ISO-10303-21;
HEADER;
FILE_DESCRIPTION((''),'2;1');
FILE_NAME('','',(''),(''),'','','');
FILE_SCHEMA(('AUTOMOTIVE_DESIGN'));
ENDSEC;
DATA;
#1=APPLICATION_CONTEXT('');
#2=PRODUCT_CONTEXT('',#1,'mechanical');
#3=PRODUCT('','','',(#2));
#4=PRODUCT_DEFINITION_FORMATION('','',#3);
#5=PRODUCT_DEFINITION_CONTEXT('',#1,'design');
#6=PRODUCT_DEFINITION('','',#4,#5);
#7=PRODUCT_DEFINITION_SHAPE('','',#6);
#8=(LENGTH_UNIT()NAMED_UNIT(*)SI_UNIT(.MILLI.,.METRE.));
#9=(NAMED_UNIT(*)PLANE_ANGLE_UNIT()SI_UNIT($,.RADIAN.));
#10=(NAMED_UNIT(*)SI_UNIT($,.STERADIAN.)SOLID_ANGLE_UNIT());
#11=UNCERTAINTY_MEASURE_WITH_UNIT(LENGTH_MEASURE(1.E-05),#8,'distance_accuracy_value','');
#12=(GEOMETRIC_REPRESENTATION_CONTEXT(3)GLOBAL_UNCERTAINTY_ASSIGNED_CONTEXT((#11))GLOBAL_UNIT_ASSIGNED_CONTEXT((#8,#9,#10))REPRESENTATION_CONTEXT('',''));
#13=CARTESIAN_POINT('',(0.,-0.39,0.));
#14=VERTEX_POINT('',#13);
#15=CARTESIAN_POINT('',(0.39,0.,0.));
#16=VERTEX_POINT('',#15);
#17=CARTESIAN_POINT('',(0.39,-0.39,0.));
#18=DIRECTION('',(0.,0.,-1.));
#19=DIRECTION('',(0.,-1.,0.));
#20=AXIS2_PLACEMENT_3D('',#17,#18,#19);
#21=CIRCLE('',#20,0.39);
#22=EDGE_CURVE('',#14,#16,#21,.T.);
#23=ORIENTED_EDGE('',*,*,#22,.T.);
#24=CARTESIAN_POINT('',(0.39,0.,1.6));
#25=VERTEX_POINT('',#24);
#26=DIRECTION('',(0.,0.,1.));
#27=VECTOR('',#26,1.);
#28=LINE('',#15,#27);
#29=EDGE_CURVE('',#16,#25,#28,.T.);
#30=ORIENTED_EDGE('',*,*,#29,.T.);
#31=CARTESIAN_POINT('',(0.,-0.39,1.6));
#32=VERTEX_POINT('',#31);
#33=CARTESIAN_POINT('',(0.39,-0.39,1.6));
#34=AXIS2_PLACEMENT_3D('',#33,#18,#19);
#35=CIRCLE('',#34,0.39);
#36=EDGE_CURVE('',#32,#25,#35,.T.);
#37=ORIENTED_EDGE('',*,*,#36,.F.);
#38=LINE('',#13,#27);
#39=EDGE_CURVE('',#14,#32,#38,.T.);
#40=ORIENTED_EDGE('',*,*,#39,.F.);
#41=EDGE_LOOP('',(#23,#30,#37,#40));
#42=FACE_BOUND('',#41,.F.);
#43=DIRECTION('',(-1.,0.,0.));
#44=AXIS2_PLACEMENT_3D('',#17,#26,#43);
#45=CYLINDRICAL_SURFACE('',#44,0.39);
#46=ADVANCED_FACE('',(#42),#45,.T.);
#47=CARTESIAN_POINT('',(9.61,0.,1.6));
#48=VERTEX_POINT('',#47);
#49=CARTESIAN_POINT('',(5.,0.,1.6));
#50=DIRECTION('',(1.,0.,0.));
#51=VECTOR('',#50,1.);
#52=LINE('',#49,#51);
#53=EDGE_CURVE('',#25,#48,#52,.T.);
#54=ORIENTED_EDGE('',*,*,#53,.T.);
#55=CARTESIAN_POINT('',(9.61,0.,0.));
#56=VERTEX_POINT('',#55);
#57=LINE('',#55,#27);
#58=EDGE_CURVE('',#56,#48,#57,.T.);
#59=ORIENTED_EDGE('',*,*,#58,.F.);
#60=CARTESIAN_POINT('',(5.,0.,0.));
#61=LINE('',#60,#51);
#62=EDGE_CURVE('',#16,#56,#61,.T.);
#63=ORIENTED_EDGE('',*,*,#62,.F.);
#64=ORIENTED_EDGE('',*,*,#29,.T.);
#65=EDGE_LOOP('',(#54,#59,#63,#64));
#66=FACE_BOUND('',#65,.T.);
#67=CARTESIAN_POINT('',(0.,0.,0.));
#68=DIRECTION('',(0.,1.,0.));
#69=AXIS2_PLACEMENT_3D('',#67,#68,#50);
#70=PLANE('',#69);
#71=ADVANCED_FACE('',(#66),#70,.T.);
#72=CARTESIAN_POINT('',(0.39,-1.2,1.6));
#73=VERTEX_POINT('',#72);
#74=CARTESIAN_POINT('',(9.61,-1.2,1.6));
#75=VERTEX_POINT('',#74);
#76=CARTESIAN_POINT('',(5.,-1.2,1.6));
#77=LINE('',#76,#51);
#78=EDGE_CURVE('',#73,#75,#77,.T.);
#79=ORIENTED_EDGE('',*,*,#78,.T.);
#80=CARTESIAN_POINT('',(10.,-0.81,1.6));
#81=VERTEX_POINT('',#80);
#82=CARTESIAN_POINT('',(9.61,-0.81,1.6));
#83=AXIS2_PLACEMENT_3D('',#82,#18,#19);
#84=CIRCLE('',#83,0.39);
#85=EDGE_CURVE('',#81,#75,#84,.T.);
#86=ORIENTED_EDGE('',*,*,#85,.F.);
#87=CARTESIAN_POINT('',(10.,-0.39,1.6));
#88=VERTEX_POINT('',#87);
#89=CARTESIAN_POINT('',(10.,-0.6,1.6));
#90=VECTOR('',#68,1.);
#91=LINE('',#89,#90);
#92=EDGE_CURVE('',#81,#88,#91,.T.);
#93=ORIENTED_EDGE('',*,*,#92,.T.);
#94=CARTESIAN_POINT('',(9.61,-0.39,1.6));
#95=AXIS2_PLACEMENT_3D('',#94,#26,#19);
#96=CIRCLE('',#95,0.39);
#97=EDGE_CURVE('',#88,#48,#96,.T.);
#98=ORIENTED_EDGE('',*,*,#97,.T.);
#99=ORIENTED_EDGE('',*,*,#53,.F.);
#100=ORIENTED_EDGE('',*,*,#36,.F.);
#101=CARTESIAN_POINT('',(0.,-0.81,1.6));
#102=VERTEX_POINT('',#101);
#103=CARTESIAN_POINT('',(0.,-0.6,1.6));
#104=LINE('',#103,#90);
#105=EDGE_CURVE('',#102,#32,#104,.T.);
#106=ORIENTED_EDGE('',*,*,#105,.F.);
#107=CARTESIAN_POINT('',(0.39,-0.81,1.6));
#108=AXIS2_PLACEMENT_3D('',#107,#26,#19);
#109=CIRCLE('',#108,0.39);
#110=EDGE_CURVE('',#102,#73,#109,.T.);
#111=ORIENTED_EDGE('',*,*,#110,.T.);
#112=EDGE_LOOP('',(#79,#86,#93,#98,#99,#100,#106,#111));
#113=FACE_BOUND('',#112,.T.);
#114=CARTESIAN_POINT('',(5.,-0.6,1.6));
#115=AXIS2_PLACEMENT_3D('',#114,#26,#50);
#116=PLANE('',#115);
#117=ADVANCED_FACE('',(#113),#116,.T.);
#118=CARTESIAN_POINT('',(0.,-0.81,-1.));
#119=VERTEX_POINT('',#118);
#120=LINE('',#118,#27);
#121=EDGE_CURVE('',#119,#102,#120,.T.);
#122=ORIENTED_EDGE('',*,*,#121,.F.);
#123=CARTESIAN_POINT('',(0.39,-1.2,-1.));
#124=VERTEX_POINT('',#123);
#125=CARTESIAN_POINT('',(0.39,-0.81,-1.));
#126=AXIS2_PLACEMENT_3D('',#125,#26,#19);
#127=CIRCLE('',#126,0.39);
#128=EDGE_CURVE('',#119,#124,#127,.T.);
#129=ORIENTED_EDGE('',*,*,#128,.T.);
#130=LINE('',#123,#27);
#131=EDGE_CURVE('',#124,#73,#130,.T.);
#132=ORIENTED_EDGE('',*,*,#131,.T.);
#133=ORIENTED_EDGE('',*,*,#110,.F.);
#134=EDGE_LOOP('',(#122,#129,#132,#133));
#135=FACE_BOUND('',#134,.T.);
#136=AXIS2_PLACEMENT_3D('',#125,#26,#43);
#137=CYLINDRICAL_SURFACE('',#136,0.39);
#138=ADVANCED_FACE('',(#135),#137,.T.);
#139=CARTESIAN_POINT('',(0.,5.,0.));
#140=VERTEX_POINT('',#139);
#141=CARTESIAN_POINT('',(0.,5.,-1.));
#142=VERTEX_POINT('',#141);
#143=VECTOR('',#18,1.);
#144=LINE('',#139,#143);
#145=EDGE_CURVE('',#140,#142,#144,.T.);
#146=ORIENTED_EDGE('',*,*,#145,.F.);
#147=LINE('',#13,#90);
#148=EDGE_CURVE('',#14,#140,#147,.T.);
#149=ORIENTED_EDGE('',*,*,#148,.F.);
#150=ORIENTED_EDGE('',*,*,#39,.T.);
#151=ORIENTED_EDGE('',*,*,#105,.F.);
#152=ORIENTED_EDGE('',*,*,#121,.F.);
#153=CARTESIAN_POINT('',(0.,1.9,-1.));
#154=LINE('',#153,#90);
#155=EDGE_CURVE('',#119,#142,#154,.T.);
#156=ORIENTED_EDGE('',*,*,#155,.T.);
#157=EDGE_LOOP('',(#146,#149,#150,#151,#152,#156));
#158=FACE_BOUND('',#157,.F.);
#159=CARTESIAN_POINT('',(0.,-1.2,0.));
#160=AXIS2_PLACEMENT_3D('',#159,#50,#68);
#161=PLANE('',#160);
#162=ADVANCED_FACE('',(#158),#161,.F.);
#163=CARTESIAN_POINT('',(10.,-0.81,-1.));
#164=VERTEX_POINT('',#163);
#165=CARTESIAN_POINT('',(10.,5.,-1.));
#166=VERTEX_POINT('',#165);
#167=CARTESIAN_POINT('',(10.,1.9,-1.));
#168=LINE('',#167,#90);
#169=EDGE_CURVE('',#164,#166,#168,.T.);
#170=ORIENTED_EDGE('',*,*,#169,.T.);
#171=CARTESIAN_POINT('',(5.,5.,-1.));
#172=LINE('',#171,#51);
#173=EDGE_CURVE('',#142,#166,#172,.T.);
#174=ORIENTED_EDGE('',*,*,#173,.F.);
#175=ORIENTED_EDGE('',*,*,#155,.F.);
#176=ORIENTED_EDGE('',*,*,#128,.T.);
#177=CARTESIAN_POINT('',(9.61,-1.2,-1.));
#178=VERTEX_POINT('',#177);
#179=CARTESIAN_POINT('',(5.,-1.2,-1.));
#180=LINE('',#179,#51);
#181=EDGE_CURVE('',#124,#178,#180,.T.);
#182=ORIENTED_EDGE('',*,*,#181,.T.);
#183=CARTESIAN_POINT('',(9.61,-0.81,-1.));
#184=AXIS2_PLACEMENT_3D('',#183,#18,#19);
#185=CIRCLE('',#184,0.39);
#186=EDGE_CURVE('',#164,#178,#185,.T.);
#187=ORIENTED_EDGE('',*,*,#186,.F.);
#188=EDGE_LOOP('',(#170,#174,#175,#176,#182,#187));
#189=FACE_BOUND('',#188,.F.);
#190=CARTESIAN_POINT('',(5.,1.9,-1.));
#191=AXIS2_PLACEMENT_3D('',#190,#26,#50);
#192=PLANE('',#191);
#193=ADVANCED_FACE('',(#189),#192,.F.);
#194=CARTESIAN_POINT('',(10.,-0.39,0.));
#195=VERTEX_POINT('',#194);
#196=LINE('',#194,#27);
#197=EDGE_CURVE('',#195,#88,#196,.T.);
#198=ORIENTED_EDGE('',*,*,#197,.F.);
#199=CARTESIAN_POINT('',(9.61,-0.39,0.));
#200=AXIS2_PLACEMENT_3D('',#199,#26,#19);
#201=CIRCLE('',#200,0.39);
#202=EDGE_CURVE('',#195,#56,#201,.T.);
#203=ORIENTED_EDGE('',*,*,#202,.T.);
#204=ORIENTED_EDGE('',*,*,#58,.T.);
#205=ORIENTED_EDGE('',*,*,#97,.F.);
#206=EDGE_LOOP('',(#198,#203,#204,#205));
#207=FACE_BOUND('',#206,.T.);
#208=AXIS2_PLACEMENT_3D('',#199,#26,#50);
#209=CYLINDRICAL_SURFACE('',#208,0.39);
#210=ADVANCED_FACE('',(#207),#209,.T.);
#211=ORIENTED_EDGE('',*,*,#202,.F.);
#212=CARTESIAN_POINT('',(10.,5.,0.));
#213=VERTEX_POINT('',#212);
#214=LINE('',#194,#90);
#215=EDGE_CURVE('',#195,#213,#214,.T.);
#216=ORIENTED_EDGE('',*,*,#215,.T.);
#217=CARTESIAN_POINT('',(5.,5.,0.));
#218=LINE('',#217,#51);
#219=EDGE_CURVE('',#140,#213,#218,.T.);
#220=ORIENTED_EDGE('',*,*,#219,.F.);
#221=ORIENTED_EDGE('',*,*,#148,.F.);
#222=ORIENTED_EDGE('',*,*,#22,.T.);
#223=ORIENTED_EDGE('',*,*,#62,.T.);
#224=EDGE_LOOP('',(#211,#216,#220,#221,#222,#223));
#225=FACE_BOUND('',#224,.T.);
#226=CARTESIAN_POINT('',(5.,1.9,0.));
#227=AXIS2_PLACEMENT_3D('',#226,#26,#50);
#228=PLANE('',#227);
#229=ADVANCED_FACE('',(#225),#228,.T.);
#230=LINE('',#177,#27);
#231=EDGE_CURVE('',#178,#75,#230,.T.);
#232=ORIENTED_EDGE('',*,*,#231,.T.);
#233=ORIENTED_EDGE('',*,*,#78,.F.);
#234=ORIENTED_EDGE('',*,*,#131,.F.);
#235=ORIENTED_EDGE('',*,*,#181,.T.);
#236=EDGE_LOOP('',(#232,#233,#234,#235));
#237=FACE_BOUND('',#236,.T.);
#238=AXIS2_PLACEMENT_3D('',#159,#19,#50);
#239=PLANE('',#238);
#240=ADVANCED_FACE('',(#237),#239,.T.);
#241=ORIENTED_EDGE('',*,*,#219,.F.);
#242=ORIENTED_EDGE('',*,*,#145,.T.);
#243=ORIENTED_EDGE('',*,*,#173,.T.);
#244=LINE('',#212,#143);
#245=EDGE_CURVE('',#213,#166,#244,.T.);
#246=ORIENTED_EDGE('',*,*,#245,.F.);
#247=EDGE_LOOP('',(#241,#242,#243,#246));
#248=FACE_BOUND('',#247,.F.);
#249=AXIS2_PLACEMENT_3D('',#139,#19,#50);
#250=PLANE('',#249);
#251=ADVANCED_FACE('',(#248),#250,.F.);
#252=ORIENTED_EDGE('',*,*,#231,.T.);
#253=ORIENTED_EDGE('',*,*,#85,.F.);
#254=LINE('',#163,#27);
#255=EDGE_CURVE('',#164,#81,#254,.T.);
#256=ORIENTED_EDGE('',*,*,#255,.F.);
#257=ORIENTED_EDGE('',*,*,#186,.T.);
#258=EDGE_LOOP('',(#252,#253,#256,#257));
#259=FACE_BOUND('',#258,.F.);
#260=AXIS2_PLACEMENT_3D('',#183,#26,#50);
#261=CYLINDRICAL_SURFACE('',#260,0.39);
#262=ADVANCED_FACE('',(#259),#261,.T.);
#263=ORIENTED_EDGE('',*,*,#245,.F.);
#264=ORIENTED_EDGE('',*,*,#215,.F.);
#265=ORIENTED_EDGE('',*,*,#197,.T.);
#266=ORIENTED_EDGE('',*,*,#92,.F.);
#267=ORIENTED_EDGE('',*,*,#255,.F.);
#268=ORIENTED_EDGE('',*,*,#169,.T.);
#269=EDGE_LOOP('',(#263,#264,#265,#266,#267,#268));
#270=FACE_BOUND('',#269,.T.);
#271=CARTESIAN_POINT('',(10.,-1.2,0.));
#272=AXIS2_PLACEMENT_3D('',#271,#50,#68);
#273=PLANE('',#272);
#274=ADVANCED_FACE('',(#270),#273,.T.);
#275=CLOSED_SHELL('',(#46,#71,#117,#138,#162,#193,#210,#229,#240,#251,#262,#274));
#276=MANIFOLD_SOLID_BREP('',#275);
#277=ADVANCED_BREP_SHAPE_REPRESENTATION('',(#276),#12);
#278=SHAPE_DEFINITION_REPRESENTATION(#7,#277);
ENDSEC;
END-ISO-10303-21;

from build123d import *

# Parameters (mm, degrees)
SKETCH002_W  = 10
SKETCH002_H  = 1.2
PAD002_DEPTH = 1.6
SKETCH003_W  = 10
SKETCH003_H  = 6.2
PAD003_DEPTH = 1
FILLET001_R  = 0.39


with BuildPart() as part:
    # Sketch002 → Pad002 (new body)
    with BuildSketch(Plane.XY):
        with Locations((5, -0.6)):
            Rectangle(SKETCH002_W, SKETCH002_H)
    extrude(amount=PAD002_DEPTH)

    # Sketch003 → Pad003 (join)
    with BuildSketch(Plane.XY):
        with Locations((5, 1.9)):
            Rectangle(SKETCH003_W, SKETCH003_H)
    extrude(amount=-PAD003_DEPTH)

    # Fillet001
    fillet001_edges = [part.edges().sort_by_distance(p)[0] for p in [
        (0, -1.2, 0.3),
        (10, -1.2, 0.3),
        (10, 0, 0.8),
        (0, 0, 0.8),
    ]]
    fillet(fillet001_edges, radius=FILLET001_R)


solid = part.part
